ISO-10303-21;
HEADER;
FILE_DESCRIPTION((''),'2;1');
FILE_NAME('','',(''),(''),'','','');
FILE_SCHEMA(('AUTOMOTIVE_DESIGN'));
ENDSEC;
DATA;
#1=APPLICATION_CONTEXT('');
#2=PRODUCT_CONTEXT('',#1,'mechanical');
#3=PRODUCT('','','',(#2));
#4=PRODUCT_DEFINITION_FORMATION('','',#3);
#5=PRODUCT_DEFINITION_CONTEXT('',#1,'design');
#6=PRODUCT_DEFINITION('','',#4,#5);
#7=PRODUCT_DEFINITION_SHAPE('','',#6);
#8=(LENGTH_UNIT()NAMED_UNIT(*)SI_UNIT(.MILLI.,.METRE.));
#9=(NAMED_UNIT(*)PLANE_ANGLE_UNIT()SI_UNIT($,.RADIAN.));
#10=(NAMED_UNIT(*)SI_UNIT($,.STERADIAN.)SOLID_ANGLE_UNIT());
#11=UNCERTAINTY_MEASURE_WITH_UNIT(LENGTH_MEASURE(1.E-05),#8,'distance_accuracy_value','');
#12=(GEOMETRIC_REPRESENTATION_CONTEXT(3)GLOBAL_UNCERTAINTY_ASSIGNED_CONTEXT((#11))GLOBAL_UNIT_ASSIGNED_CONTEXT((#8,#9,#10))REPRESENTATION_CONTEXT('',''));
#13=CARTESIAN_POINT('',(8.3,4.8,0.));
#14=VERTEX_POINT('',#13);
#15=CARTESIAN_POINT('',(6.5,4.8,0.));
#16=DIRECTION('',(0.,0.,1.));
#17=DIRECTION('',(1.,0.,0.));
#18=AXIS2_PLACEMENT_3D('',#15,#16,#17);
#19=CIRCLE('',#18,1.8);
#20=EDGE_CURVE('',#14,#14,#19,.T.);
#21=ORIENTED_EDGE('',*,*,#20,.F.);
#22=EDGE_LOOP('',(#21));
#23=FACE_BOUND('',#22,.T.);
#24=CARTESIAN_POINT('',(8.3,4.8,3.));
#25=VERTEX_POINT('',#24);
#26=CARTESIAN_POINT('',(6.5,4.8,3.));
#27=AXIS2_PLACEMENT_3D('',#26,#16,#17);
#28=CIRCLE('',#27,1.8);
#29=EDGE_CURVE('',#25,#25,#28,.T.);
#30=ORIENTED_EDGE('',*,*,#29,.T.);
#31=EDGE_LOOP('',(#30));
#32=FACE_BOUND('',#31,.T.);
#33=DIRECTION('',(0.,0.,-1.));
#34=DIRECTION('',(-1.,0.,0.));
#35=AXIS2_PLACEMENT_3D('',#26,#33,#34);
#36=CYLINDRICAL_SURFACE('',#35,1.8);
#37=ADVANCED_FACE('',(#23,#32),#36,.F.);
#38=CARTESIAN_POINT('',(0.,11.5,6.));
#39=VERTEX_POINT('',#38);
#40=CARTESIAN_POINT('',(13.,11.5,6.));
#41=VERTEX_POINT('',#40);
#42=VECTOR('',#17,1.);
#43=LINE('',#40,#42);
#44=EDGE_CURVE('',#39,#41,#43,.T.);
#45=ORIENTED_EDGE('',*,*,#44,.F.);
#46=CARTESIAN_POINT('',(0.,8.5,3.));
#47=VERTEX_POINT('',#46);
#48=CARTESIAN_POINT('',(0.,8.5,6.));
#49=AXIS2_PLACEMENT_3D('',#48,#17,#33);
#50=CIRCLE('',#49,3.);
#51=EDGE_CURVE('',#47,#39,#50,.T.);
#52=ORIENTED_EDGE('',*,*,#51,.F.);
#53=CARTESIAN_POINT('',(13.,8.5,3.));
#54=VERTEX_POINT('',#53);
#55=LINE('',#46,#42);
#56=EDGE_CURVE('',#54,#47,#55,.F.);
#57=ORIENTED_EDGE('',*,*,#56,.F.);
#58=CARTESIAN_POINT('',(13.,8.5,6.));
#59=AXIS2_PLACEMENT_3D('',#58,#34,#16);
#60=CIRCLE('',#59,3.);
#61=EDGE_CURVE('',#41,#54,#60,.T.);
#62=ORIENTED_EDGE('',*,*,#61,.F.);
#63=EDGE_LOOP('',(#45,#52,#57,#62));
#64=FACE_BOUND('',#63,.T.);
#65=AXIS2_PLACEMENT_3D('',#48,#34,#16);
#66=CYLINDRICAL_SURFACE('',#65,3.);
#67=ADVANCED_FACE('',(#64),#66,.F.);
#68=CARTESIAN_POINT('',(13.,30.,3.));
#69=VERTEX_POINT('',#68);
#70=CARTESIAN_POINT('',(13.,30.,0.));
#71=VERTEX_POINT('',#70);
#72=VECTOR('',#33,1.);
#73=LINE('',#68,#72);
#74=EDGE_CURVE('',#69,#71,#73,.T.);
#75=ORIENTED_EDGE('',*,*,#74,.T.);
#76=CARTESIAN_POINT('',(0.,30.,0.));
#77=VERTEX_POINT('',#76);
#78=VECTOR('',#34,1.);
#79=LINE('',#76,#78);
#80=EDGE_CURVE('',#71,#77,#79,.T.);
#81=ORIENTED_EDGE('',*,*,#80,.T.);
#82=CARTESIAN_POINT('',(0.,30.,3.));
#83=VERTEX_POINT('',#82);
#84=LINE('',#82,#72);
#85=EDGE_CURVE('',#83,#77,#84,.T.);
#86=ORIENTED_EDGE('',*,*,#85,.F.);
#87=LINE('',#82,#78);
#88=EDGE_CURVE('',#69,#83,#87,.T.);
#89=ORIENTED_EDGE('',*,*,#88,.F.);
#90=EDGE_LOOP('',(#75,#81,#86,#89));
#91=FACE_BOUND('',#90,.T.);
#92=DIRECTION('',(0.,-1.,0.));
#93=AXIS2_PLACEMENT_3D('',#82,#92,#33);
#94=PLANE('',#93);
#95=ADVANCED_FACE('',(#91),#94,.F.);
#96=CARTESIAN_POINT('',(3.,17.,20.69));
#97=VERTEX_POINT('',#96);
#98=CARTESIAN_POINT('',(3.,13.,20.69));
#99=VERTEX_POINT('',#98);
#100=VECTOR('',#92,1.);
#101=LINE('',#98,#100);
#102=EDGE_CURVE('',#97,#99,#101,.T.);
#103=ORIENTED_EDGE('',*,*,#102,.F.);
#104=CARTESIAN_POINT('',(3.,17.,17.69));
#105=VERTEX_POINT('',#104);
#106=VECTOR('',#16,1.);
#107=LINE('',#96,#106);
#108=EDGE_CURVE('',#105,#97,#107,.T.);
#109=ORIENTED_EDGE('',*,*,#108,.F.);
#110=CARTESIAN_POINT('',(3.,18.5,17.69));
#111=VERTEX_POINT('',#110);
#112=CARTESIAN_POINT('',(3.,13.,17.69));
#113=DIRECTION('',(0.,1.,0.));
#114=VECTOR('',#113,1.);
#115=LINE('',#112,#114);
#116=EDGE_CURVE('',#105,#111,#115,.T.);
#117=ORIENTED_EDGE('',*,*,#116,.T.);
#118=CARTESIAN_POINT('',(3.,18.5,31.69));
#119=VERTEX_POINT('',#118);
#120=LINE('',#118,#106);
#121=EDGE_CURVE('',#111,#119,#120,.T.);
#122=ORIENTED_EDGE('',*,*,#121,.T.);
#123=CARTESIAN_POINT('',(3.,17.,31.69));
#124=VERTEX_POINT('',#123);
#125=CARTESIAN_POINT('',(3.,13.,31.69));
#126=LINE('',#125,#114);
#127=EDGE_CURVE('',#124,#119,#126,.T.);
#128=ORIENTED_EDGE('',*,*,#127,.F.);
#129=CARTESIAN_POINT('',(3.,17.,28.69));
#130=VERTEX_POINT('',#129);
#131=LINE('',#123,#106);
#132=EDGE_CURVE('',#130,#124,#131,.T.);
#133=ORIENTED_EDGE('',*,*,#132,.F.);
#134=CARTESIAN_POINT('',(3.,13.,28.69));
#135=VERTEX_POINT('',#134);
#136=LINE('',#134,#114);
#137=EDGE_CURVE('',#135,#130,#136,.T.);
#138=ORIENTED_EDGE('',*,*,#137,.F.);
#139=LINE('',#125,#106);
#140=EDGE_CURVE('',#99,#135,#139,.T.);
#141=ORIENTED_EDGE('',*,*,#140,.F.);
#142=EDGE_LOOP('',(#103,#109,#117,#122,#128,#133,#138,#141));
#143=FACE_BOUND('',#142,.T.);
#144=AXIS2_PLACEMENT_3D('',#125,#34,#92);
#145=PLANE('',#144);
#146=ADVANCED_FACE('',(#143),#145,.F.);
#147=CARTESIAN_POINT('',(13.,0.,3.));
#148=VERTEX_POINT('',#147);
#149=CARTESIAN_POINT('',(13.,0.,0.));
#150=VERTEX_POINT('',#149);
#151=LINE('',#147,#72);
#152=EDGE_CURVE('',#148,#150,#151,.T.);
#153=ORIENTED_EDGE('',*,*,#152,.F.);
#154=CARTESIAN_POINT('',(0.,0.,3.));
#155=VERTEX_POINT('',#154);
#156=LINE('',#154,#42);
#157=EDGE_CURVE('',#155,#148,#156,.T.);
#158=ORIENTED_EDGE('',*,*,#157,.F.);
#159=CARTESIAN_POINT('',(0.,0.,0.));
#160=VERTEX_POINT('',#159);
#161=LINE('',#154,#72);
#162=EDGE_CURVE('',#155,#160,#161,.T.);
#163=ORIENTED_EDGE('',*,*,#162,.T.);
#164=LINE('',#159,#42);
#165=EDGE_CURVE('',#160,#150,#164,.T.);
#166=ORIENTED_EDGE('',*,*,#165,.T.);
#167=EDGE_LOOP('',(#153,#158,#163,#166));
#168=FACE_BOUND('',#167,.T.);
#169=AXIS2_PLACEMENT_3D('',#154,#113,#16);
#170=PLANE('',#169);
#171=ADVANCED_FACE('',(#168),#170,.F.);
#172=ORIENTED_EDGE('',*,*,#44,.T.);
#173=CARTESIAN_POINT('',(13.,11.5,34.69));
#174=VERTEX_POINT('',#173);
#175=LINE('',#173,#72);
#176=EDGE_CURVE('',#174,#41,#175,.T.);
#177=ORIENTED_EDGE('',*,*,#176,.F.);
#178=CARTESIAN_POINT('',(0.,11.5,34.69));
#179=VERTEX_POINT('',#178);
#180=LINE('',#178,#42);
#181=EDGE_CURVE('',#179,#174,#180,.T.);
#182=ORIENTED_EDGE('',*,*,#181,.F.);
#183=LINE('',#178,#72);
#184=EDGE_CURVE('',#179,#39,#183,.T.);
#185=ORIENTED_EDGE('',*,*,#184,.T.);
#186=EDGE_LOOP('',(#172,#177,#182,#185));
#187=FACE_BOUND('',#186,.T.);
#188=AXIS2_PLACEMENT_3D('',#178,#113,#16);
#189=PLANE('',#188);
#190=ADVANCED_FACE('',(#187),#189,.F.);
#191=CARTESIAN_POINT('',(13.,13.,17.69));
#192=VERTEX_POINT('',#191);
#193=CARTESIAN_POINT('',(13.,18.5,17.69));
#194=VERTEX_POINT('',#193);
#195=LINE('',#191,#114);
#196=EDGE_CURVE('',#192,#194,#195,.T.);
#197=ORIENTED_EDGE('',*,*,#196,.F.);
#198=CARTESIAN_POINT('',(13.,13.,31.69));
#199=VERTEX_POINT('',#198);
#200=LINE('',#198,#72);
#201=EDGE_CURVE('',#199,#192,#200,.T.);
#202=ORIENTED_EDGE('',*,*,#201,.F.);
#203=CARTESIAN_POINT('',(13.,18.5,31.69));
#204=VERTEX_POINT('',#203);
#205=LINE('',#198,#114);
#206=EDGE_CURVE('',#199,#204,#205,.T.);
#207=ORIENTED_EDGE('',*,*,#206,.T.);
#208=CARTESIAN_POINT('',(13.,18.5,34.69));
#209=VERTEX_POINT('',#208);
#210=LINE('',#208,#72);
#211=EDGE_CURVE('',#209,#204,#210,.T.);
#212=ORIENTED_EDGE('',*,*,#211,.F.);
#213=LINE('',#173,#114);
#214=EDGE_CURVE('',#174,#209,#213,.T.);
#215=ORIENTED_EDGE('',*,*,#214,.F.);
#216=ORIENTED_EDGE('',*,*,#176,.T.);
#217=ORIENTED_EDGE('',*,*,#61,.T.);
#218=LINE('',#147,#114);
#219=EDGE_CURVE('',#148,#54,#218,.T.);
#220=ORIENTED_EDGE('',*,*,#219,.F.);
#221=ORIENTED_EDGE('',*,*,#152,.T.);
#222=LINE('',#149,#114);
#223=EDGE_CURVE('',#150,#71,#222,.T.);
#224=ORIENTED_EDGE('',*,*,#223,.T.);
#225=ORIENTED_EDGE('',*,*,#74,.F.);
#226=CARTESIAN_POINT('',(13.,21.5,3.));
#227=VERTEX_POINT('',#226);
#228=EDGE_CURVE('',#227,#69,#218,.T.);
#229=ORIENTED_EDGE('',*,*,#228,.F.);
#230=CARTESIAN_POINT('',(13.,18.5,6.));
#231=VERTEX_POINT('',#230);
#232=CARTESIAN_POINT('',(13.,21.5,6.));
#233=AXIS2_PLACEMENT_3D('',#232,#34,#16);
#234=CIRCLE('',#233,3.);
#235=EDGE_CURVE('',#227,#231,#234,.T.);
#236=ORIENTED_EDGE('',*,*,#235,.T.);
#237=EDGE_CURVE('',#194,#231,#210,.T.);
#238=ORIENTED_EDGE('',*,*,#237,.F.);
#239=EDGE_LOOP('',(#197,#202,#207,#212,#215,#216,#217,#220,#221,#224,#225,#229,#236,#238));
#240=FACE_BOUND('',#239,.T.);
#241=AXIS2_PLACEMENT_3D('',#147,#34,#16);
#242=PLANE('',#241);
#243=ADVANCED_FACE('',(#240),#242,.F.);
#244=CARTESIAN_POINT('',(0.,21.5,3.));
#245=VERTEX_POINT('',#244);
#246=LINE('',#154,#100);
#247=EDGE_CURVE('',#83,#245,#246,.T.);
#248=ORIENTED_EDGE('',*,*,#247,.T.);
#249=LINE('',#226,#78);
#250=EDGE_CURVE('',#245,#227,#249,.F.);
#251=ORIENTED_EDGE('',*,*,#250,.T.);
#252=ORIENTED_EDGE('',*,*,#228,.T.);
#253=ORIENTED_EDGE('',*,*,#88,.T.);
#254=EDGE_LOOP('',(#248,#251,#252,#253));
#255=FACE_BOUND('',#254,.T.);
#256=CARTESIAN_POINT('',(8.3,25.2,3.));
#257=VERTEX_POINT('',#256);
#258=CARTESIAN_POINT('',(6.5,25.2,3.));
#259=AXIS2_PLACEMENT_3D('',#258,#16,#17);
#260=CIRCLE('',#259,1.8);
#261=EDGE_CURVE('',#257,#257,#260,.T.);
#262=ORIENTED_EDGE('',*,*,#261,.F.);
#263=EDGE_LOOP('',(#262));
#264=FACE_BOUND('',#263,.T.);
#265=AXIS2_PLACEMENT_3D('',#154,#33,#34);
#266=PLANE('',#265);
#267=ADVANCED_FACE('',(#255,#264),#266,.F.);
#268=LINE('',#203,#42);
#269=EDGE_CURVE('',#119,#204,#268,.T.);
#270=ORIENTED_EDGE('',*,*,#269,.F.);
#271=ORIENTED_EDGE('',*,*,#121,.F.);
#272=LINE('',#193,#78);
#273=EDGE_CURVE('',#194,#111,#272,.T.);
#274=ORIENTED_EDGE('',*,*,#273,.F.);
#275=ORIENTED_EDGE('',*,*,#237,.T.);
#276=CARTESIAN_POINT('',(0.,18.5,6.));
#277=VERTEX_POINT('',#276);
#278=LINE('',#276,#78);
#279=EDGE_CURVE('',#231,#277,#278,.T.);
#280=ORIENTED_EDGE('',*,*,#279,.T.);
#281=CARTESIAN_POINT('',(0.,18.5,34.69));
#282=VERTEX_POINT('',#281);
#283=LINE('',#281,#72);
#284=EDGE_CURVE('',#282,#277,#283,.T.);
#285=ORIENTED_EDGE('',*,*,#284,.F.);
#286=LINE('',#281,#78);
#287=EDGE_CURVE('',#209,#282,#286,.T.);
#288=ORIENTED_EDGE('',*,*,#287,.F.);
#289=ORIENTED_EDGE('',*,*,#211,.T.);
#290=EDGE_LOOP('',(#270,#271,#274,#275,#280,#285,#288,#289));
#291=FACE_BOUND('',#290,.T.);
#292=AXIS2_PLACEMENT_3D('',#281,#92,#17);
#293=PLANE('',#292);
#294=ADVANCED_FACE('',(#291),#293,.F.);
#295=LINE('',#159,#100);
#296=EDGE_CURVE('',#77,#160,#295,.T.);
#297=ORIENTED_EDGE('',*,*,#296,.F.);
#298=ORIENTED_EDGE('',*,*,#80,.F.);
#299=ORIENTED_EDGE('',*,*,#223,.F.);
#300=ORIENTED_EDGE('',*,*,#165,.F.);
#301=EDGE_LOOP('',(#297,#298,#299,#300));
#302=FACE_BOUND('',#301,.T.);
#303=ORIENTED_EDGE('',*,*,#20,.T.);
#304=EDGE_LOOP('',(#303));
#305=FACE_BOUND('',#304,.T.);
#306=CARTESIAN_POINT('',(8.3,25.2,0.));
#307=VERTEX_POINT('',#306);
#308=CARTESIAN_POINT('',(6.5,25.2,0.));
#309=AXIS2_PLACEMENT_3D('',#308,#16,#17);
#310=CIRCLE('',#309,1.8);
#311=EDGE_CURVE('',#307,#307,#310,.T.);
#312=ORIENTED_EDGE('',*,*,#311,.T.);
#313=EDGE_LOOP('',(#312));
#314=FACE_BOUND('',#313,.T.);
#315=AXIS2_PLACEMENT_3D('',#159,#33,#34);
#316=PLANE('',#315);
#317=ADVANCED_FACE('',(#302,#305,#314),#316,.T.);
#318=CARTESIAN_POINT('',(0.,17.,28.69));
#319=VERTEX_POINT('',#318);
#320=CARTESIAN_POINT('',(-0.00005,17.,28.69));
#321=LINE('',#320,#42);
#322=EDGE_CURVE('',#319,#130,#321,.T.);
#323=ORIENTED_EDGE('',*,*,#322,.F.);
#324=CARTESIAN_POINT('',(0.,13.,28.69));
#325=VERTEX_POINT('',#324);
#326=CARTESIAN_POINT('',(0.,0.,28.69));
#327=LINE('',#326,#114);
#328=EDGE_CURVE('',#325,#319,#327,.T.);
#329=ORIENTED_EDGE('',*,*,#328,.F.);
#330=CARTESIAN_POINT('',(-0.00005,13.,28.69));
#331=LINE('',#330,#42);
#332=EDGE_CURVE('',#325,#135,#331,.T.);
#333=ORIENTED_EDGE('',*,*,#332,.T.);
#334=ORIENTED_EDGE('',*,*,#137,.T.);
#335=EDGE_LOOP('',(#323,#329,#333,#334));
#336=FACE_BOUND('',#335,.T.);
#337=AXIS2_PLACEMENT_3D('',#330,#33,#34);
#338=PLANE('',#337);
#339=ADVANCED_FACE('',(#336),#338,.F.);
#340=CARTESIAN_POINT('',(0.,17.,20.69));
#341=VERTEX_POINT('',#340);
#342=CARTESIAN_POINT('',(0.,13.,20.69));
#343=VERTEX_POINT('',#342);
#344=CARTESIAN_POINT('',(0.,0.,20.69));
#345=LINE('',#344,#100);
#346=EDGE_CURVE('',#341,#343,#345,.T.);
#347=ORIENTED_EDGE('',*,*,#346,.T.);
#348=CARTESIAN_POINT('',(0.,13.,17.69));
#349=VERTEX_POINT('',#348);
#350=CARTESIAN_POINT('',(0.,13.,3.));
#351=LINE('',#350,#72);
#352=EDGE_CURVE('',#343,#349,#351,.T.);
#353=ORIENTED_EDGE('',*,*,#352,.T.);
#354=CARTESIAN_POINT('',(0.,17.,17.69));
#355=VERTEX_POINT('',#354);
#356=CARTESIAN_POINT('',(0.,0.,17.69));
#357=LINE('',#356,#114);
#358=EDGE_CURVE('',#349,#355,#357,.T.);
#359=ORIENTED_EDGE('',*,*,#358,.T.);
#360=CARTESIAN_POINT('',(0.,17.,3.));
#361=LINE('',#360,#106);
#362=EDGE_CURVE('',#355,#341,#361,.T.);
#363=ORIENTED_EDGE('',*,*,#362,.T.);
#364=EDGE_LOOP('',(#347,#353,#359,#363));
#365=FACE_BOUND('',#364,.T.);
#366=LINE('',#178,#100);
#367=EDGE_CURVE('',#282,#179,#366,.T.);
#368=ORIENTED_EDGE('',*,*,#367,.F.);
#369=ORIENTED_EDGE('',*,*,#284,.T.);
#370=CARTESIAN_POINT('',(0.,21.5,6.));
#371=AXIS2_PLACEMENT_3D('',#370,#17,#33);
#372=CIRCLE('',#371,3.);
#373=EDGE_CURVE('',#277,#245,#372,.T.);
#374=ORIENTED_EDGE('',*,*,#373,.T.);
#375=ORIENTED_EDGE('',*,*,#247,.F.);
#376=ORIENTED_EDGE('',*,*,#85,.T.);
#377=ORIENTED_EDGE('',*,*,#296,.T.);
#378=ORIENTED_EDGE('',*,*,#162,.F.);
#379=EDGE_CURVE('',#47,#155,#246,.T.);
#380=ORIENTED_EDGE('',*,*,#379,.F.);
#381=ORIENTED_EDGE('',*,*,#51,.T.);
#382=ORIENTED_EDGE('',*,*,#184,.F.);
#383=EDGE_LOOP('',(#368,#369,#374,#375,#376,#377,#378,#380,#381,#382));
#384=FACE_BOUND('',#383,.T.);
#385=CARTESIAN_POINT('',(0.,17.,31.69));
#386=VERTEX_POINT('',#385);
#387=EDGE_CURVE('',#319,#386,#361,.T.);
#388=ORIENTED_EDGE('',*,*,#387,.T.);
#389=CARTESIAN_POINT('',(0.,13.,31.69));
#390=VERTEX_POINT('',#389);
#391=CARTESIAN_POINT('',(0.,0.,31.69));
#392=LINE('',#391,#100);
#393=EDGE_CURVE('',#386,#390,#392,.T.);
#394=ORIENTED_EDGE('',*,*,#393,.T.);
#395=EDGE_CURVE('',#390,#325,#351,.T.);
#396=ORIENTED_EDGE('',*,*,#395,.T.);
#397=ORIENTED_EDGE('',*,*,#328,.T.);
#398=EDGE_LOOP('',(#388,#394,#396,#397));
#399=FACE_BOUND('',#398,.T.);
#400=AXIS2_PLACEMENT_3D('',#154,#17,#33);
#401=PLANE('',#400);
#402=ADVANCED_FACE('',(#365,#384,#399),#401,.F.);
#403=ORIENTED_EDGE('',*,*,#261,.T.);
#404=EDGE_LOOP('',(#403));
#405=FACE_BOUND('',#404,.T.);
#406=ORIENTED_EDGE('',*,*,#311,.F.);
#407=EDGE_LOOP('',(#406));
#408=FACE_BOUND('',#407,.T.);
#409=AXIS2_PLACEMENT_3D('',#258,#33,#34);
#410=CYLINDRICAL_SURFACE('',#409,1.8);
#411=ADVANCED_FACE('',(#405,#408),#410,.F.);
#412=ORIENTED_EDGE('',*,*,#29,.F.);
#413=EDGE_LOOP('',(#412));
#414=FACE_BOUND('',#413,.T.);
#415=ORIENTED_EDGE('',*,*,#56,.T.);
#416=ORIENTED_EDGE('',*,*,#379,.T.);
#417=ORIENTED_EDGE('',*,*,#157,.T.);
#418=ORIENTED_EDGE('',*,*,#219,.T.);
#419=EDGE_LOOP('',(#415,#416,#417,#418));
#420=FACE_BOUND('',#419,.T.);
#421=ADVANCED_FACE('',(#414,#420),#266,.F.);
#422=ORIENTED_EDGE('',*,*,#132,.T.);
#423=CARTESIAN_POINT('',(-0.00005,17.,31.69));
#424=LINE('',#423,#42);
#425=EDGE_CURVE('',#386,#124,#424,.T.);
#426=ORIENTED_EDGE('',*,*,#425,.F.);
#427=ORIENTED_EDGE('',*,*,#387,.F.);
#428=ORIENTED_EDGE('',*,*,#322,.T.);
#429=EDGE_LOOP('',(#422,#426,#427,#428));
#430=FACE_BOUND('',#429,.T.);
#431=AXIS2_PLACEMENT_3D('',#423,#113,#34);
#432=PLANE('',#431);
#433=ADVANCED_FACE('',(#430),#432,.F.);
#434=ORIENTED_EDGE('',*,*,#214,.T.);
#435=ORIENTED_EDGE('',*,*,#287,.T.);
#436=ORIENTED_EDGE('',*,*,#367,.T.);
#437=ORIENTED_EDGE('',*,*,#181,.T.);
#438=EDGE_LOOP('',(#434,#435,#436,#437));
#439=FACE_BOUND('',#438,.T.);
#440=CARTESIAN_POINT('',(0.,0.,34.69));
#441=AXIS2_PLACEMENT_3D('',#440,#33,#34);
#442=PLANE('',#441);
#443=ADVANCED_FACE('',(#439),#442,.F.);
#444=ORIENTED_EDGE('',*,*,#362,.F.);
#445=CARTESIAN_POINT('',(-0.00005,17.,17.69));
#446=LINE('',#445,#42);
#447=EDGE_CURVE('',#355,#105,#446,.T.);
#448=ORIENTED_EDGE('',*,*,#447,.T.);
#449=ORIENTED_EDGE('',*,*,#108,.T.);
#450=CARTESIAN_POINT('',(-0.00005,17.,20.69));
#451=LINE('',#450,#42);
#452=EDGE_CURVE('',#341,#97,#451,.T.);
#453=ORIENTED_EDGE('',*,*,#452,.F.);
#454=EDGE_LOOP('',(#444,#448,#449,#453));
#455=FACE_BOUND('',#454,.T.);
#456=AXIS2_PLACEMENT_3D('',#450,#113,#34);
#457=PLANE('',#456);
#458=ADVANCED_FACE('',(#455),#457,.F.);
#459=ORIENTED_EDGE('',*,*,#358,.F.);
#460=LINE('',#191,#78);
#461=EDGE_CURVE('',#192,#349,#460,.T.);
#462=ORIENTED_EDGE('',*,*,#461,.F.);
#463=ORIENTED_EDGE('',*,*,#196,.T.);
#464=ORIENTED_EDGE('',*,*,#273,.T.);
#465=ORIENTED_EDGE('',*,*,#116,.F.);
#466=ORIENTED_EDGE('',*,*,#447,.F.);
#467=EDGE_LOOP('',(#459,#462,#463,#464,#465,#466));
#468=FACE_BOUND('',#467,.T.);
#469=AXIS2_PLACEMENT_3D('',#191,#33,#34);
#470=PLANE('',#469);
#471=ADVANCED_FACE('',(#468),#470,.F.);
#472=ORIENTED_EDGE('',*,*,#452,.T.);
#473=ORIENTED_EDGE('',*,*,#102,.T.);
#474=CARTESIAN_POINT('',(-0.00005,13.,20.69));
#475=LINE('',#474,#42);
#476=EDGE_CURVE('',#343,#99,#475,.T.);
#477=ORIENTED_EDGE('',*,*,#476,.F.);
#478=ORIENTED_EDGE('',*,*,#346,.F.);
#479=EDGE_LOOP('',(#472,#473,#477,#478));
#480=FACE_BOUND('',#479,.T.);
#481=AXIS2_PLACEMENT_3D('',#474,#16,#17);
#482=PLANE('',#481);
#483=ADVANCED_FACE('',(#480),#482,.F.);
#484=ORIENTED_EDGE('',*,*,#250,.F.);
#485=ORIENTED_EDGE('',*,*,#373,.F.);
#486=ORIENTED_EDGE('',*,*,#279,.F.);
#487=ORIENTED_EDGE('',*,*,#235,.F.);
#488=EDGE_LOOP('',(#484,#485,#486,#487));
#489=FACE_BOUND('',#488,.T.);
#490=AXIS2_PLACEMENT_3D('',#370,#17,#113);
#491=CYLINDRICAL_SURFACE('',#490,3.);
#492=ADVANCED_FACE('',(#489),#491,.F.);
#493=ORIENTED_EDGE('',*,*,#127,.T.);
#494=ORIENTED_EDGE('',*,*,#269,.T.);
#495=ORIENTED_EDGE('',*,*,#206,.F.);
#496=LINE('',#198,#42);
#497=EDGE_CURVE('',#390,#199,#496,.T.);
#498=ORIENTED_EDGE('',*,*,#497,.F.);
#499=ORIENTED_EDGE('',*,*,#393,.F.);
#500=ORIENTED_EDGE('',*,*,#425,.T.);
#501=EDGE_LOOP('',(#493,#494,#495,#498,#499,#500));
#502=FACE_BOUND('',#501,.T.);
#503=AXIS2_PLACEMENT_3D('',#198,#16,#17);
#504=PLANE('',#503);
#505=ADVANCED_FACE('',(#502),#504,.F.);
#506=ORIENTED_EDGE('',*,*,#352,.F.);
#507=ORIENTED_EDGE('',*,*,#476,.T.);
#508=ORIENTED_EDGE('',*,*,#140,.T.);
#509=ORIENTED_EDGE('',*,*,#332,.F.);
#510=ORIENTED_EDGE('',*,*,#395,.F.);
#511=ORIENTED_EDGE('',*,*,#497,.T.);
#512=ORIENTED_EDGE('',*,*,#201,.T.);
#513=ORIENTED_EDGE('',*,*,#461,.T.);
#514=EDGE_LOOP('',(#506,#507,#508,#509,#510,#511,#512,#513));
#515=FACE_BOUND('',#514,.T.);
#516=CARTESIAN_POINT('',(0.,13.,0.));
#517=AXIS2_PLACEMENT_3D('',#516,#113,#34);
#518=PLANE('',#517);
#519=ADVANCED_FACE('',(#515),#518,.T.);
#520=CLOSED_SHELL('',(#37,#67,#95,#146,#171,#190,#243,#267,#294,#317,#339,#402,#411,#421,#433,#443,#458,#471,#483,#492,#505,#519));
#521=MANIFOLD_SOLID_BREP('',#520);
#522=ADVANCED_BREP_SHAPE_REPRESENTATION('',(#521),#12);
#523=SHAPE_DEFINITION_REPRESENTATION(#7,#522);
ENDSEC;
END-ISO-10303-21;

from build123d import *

# Parameters (mm, degrees)
SKETCH1_W           = 13
SKETCH1_H           = 30
SKETCH1_R           = 1.8
BOSS_EXTRUDE1_DEPTH = 3
SKETCH2_W           = 13
SKETCH2_H           = 7
BOSS_EXTRUDE2_DEPTH = 31.69
SKETCH3_W           = 10
SKETCH3_H           = 14
CUT_EXTRUDE1_DEPTH  = 5.5
SKETCH4_W           = 3
SKETCH4_H           = 4
CUT_EXTRUDE2_DEPTH  = 47.940346185
FILLET1_R           = 3


with BuildPart() as part:
    # Sketch1 → Boss-Extrude1 (new body)
    with BuildSketch(Plane.XY):
        with Locations((6.5, 15)):
            Rectangle(SKETCH1_W, SKETCH1_H)
        with Locations((6.5, 25.2)):
            Circle(SKETCH1_R, mode=Mode.SUBTRACT)
        with Locations((6.5, 4.8)):
            Circle(SKETCH1_R, mode=Mode.SUBTRACT)
    extrude(amount=BOSS_EXTRUDE1_DEPTH)

    # Sketch2 → Boss-Extrude2 (add)
    with BuildSketch(Plane.XY.offset(3)):
        with Locations((6.5, 15)):
            Rectangle(SKETCH2_W, SKETCH2_H)
    extrude(amount=BOSS_EXTRUDE2_DEPTH)

    # Sketch3 → Cut-Extrude1 (cut)
    with BuildSketch(Plane(origin=(0, 18.5, 0), x_dir=(1, 0, 0), z_dir=(0, 1, 0))):
        with Locations((8, -24.69)):
            Rectangle(SKETCH3_W, SKETCH3_H)
    extrude(amount=-CUT_EXTRUDE1_DEPTH, mode=Mode.SUBTRACT)

    # Sketch4 → Cut-Extrude2 (cut, through all)
    with BuildSketch(Plane(origin=(3, 0, 0), x_dir=(0, 0, -1), z_dir=(1, 0, 0))):
        with Locations((-30.19, 15)):
            Rectangle(SKETCH4_W, SKETCH4_H)
        with Locations((-19.19, 15)):
            Rectangle(SKETCH4_W, SKETCH4_H)
    extrude(amount=-CUT_EXTRUDE2_DEPTH, mode=Mode.SUBTRACT)

    # Fillet1
    fillet1_edges = [part.edges().sort_by_distance(p)[0] for p in [
        (6.5, 11.5, 3),
        (6.5, 18.5, 3),
    ]]
    fillet(fillet1_edges, radius=FILLET1_R)


solid = part.part
